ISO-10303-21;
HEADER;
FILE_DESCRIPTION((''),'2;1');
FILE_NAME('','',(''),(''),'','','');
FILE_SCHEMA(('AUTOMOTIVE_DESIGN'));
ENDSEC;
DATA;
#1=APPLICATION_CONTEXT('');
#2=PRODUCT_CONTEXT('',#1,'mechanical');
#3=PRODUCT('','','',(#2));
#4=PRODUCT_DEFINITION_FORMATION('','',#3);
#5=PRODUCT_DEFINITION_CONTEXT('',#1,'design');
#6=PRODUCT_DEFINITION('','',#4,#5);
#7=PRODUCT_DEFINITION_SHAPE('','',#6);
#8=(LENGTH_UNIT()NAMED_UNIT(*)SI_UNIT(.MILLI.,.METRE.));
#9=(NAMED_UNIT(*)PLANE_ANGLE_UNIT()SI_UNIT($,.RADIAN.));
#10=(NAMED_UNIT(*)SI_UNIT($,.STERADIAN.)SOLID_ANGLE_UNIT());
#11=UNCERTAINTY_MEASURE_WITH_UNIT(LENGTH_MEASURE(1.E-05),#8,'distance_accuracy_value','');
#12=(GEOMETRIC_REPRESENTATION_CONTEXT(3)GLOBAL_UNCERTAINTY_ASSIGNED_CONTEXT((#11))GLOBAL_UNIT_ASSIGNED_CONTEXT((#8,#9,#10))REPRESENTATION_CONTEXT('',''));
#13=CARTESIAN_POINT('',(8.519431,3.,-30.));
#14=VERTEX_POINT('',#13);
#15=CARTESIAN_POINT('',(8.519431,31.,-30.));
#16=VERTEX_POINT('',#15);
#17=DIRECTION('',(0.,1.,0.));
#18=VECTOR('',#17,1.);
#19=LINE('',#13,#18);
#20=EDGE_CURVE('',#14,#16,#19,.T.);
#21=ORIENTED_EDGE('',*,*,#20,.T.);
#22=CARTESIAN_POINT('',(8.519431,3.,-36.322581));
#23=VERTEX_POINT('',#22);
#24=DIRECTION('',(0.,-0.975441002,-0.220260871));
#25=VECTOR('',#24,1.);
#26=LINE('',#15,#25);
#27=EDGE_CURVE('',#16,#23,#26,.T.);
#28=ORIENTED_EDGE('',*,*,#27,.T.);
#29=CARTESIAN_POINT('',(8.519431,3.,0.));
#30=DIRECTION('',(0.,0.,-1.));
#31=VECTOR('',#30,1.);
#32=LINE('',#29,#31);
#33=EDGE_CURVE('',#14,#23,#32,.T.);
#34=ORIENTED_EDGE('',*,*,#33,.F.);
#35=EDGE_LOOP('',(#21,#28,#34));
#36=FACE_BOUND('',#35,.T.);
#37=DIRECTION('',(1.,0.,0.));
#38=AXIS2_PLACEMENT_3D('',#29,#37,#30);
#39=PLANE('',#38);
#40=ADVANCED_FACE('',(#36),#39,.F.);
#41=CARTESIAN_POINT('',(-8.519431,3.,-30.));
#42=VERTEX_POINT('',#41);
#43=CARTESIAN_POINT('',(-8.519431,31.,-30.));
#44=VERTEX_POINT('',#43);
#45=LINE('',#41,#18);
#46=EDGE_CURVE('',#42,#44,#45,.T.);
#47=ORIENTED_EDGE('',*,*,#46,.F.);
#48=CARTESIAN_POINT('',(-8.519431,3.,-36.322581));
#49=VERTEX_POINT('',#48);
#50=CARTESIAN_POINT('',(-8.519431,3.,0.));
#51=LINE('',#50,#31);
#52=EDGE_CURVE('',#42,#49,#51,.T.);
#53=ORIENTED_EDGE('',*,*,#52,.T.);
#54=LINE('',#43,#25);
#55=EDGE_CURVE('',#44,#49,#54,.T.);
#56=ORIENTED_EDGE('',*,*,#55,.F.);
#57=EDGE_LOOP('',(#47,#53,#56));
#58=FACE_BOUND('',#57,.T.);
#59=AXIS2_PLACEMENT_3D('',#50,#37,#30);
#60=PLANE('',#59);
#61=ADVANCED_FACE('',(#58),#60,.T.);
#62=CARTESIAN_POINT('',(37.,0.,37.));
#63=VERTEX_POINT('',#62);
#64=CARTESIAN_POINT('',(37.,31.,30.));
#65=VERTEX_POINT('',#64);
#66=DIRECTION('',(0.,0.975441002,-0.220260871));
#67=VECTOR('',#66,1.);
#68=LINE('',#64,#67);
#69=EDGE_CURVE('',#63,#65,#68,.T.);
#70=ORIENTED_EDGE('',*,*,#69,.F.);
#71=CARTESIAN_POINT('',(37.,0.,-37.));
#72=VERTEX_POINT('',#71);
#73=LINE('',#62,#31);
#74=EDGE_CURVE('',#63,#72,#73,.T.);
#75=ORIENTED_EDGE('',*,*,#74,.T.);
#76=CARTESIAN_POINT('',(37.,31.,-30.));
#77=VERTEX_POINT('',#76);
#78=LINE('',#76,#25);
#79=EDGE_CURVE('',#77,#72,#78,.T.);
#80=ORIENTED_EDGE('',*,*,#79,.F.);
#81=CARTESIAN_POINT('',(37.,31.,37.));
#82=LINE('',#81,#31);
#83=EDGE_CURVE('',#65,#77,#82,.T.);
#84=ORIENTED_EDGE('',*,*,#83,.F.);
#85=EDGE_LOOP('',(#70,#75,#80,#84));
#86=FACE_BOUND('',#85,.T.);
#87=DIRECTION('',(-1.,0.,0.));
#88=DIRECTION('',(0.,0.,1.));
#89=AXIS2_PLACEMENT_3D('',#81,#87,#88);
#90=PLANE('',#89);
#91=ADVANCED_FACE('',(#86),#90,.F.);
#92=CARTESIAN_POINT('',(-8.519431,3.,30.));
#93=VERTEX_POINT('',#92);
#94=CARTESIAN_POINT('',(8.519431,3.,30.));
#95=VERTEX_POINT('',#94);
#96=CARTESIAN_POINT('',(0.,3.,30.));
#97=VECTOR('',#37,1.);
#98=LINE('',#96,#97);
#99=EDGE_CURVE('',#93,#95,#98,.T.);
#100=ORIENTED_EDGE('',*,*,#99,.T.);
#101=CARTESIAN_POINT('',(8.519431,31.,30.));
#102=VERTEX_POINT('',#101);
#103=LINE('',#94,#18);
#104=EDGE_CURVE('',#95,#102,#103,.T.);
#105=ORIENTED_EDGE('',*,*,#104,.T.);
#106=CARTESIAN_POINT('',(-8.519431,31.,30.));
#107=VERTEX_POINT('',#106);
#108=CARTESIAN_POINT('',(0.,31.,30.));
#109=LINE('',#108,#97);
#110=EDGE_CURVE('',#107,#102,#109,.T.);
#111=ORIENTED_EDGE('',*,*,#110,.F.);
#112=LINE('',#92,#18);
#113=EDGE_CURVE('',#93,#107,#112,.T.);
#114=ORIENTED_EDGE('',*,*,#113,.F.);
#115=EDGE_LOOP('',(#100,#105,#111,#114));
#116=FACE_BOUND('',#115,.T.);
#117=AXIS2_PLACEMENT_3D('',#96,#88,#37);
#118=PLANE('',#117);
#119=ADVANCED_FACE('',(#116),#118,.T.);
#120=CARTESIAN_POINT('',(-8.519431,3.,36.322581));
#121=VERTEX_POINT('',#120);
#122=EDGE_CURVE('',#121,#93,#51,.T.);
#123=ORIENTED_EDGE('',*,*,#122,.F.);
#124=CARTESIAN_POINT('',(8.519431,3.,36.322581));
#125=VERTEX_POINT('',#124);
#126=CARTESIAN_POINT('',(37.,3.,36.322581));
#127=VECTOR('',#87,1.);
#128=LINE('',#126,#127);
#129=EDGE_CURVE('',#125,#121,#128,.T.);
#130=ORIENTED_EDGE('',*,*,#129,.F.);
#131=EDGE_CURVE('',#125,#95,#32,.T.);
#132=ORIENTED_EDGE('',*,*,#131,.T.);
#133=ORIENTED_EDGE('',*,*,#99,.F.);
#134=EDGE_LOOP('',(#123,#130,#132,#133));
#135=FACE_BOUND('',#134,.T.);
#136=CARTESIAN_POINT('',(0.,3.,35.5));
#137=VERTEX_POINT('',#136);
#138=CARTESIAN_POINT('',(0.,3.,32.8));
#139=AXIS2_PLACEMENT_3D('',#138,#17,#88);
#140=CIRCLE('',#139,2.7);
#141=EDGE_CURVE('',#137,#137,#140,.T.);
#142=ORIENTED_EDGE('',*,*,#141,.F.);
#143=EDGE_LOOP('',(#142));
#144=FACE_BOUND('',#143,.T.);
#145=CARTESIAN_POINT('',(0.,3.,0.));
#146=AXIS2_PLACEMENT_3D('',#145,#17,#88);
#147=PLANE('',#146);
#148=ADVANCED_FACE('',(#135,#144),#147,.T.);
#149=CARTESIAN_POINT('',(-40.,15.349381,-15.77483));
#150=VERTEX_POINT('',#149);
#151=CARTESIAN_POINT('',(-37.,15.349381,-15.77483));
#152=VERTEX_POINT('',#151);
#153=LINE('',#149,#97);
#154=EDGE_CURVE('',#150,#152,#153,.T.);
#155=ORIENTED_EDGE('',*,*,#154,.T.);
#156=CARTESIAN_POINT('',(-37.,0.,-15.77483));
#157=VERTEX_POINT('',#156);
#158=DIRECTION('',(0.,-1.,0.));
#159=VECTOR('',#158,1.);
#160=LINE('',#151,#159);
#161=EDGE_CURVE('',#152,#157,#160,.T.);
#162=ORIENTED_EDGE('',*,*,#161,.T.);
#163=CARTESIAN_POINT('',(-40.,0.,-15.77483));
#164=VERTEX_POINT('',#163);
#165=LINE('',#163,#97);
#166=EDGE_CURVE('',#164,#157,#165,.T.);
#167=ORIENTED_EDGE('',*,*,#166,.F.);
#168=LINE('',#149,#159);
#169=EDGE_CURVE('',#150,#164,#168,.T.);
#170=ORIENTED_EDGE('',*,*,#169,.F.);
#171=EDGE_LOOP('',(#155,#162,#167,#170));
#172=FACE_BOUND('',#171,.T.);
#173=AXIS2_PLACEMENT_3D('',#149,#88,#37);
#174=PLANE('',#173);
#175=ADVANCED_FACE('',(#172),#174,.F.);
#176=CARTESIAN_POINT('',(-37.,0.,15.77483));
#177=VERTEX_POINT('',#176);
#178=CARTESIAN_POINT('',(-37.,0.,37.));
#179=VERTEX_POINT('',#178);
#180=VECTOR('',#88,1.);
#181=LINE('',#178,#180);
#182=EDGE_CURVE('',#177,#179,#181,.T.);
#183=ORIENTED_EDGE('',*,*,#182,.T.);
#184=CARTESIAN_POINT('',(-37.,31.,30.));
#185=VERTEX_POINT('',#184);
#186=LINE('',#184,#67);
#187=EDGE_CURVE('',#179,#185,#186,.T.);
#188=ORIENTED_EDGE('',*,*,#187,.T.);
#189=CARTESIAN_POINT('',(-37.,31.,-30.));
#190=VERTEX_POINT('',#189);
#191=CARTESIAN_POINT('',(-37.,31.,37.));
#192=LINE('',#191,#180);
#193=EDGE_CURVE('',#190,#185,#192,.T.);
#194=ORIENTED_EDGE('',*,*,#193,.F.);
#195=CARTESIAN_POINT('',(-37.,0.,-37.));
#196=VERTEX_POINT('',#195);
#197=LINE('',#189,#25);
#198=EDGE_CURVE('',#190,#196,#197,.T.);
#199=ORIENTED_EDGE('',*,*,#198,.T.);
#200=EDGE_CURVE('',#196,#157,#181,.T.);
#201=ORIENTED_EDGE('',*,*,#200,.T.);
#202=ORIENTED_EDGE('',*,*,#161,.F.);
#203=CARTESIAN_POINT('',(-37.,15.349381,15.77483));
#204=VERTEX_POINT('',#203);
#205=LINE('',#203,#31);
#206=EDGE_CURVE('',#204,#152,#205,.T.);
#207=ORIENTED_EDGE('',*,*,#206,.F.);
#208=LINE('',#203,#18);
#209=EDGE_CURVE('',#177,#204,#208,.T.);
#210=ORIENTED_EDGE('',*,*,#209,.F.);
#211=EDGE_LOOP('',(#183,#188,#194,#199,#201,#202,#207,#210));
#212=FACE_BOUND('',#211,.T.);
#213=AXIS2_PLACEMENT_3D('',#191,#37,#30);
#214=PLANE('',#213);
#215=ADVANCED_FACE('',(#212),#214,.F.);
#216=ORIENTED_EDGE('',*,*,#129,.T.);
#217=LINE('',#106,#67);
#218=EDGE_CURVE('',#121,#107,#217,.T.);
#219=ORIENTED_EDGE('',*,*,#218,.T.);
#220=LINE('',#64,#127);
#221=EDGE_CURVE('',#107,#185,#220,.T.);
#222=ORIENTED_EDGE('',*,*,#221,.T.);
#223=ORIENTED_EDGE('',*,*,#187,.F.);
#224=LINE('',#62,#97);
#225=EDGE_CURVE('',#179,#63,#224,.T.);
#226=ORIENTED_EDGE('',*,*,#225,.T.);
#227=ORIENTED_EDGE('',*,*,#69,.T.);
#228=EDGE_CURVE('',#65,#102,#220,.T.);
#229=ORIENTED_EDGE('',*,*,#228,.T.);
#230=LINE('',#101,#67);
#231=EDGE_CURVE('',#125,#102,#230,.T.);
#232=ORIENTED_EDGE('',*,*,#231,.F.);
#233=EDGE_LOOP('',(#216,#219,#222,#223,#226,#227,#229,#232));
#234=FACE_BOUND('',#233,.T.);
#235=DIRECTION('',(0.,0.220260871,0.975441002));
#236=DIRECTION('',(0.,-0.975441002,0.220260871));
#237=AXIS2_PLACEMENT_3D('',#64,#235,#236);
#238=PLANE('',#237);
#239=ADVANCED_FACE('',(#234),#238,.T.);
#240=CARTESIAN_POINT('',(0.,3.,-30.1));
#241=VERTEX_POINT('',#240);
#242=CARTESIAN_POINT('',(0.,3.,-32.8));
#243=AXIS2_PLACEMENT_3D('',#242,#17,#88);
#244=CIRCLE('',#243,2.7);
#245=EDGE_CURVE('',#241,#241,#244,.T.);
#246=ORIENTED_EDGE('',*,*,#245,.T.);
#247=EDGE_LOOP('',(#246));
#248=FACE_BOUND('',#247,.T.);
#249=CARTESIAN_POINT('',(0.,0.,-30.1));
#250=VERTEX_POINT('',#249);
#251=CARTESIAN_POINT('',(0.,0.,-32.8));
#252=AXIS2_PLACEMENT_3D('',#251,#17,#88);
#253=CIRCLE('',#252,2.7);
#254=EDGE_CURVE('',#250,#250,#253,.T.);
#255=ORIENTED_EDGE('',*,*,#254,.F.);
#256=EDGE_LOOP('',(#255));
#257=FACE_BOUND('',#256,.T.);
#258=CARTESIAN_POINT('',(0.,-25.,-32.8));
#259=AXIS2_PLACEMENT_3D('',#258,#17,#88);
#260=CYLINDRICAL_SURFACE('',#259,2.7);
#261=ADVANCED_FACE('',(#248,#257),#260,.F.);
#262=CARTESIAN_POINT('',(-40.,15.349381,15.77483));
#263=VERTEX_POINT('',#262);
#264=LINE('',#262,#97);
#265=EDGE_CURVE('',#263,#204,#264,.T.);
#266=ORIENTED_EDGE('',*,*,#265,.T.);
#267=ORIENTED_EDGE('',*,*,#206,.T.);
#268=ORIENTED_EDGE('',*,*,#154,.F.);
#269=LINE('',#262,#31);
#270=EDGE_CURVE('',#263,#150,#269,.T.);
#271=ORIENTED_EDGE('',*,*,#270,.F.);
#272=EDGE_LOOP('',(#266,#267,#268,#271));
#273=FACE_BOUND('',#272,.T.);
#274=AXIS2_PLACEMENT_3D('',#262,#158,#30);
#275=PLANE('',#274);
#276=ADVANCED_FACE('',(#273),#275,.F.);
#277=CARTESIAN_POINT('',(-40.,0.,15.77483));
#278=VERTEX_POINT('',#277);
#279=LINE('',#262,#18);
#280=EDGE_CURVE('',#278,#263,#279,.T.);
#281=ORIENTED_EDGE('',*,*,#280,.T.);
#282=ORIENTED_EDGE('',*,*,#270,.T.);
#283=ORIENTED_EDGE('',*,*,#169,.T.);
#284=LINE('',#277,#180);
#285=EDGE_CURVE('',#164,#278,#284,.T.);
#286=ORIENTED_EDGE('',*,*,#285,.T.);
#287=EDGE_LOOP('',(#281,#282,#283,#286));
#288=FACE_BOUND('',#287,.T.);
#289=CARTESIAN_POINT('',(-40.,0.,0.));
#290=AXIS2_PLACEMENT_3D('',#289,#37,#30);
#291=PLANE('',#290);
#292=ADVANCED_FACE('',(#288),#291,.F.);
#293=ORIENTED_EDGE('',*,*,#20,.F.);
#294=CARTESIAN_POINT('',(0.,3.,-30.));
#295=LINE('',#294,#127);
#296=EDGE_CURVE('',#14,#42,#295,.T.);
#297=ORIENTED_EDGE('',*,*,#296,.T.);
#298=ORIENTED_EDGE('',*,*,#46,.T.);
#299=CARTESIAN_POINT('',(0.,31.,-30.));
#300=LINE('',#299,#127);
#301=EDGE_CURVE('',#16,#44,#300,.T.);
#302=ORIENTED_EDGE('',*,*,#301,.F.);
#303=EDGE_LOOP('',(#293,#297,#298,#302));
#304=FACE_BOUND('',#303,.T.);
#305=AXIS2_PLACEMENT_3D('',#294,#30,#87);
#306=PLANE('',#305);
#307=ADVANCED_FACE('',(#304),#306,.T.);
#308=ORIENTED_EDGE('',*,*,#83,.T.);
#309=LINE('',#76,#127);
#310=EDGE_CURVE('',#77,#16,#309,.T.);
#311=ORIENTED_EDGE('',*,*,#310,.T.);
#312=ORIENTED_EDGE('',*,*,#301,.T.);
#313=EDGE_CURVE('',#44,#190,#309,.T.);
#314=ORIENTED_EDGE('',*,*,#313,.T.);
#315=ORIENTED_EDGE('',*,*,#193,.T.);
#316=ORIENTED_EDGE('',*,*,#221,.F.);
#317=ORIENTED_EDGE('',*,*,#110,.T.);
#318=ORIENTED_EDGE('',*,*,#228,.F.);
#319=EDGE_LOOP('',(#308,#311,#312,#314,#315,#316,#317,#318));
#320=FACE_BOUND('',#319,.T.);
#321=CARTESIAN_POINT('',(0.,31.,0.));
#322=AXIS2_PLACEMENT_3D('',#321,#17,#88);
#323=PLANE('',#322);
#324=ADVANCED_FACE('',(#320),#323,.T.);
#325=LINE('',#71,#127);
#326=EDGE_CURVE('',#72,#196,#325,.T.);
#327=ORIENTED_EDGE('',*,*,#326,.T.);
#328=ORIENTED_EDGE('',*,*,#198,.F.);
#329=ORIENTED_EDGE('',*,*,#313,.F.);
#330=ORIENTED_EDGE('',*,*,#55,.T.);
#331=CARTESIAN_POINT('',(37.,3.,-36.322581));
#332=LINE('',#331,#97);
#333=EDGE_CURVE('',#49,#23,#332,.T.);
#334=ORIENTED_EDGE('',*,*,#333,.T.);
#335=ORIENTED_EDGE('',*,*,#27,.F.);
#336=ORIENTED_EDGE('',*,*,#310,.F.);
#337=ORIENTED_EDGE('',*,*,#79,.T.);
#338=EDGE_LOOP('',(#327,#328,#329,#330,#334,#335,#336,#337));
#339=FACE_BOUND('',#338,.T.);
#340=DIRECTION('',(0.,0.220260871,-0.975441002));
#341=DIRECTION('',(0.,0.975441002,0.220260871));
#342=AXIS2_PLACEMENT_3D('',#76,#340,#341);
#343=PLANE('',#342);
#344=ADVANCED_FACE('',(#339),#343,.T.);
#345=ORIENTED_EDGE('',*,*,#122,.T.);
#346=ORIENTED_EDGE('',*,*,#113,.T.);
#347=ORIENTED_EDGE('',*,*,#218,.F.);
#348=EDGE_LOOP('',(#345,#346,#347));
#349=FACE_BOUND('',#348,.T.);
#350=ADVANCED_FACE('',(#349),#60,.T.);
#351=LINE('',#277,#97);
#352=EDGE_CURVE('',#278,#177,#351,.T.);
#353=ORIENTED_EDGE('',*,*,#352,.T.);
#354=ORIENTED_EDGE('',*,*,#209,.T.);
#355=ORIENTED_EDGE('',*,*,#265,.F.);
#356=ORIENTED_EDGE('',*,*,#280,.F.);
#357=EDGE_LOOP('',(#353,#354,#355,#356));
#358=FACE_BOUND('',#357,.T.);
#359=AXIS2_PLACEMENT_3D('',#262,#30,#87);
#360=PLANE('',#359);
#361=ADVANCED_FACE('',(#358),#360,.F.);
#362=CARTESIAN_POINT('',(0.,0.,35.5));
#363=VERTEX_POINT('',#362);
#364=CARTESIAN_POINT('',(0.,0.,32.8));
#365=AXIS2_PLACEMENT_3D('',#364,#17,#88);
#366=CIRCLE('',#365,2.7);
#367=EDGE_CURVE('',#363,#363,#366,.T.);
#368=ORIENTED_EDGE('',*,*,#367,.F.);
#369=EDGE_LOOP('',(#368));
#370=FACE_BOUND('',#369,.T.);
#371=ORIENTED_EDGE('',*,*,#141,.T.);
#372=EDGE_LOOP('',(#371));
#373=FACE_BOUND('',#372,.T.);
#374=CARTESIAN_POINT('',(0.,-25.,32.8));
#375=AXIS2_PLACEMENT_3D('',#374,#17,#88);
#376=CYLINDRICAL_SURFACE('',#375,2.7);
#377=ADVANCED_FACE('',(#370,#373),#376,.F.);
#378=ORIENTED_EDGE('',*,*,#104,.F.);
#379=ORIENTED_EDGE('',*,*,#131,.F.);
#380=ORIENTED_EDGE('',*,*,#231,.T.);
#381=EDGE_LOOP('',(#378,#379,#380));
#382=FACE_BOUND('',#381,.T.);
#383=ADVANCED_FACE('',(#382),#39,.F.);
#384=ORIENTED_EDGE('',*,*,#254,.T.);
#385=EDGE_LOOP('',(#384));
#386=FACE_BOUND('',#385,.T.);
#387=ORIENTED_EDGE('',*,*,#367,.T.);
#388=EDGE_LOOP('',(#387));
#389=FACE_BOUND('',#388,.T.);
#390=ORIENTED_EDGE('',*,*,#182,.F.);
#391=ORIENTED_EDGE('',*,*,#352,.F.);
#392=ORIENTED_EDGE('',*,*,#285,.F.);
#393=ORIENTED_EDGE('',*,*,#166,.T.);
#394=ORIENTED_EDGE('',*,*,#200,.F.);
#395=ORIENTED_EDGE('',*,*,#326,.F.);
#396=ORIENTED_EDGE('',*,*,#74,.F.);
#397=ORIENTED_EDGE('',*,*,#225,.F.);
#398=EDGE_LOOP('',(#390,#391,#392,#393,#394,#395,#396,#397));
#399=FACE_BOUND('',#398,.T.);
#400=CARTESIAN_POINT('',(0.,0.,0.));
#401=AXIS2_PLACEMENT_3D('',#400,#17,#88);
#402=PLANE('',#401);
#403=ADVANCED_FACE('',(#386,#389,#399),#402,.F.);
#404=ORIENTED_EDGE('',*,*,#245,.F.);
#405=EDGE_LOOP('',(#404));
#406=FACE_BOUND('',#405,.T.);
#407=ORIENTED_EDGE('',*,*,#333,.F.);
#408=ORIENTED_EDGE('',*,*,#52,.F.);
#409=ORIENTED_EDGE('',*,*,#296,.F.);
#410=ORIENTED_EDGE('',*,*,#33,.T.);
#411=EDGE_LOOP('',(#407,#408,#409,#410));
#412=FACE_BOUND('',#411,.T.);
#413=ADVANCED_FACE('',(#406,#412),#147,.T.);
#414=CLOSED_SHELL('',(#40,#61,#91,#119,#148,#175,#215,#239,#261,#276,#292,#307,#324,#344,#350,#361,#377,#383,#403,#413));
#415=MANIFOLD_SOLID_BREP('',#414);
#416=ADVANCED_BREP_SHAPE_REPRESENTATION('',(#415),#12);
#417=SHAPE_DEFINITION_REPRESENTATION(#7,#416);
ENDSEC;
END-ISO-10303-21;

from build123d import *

# Parameters (mm, degrees)
SKETCH_1_W          = 74
SKETCH_1_H          = 74
EXTRUDE_1_DEPTH     = 31
SKETCH_2_OUTSIDE_W  = 97.83
SKETCH_2_OUTSIDE_H  = 54.83
CUT_EXTRUDE_1_DEPTH = 89.351570444
SKETCH_3_W          = 31.549660128
SKETCH_3_H          = 15.349381196
EXTRUDE_2_DEPTH     = 3
CUT_EXTRUDE_2_DEPTH = 28
SKETCH_6_R          = 2.7
CUT_EXTRUDE_4_DEPTH = 28


with BuildPart() as part:
    # 草图1 → 凸台-拉伸1 (new body)
    with BuildSketch(Plane(origin=(0, 0, 0), x_dir=(1, 0, 0), z_dir=(0, 1, 0))):
        Rectangle(SKETCH_1_W, SKETCH_1_H)
    extrude(amount=EXTRUDE_1_DEPTH)

    # 草图2 outside → 切除-拉伸1 (cut, through all)
    with BuildSketch(Plane.ZY.offset(37)):
        with Locations((0, 15.5)):
            Rectangle(SKETCH_2_OUTSIDE_W, SKETCH_2_OUTSIDE_H)
        Polygon((30, 31), (-30, 31), (-37, 0), (37, 0), align=None, mode=Mode.SUBTRACT)
    extrude(amount=-CUT_EXTRUDE_1_DEPTH, mode=Mode.SUBTRACT)

    # 草图3 → 凸台-拉伸2 (add)
    with BuildSketch(Plane.ZY.offset(37)):
        with Locations((0, 7.674690598)):
            Rectangle(SKETCH_3_W, SKETCH_3_H)
    extrude(amount=EXTRUDE_2_DEPTH)

    # 草图4 → 切除-拉伸2 (cut)
    with BuildSketch(Plane(origin=(0, 31, 0), x_dir=(1, 0, 0), z_dir=(0, 1, 0))):
        Polygon((8.519431151, 37), (-8.519431151, 37), (0, 33.5), align=None)
        Polygon((-8.519431151, 37), (-8.519431151, 30), (0, 33.5), align=None)
        Polygon((0, 33.5), (8.519431151, 30), (8.519431151, 37), align=None)
        Polygon((0, 33.5), (-8.519431151, 30), (8.519431151, 30), align=None)
        Polygon((-8.519431151, -30), (-8.519431151, -37), (0, -33.5), align=None)
        Polygon((0, -33.5), (-8.519431151, -37), (8.519431151, -37), align=None)
        Polygon((0, -33.5), (8.519431151, -37), (8.519431151, -30), align=None)
        Polygon((8.519431151, -30), (-8.519431151, -30), (0, -33.5), align=None)
    extrude(amount=-CUT_EXTRUDE_2_DEPTH, mode=Mode.SUBTRACT)

    # 草图6 → 切除-拉伸4 (cut)
    with BuildSketch(Plane(origin=(0, 3, 0), x_dir=(1, 0, 0), z_dir=(0, 1, 0))):
        with Locations(Location((0, -32.8, 0), (0, 0, 270))):
            Circle(SKETCH_6_R)
        with Locations(Location((0, 32.8, 0), (0, 0, 270))):
            Circle(SKETCH_6_R)
    extrude(amount=-CUT_EXTRUDE_4_DEPTH, mode=Mode.SUBTRACT)


solid = part.part
